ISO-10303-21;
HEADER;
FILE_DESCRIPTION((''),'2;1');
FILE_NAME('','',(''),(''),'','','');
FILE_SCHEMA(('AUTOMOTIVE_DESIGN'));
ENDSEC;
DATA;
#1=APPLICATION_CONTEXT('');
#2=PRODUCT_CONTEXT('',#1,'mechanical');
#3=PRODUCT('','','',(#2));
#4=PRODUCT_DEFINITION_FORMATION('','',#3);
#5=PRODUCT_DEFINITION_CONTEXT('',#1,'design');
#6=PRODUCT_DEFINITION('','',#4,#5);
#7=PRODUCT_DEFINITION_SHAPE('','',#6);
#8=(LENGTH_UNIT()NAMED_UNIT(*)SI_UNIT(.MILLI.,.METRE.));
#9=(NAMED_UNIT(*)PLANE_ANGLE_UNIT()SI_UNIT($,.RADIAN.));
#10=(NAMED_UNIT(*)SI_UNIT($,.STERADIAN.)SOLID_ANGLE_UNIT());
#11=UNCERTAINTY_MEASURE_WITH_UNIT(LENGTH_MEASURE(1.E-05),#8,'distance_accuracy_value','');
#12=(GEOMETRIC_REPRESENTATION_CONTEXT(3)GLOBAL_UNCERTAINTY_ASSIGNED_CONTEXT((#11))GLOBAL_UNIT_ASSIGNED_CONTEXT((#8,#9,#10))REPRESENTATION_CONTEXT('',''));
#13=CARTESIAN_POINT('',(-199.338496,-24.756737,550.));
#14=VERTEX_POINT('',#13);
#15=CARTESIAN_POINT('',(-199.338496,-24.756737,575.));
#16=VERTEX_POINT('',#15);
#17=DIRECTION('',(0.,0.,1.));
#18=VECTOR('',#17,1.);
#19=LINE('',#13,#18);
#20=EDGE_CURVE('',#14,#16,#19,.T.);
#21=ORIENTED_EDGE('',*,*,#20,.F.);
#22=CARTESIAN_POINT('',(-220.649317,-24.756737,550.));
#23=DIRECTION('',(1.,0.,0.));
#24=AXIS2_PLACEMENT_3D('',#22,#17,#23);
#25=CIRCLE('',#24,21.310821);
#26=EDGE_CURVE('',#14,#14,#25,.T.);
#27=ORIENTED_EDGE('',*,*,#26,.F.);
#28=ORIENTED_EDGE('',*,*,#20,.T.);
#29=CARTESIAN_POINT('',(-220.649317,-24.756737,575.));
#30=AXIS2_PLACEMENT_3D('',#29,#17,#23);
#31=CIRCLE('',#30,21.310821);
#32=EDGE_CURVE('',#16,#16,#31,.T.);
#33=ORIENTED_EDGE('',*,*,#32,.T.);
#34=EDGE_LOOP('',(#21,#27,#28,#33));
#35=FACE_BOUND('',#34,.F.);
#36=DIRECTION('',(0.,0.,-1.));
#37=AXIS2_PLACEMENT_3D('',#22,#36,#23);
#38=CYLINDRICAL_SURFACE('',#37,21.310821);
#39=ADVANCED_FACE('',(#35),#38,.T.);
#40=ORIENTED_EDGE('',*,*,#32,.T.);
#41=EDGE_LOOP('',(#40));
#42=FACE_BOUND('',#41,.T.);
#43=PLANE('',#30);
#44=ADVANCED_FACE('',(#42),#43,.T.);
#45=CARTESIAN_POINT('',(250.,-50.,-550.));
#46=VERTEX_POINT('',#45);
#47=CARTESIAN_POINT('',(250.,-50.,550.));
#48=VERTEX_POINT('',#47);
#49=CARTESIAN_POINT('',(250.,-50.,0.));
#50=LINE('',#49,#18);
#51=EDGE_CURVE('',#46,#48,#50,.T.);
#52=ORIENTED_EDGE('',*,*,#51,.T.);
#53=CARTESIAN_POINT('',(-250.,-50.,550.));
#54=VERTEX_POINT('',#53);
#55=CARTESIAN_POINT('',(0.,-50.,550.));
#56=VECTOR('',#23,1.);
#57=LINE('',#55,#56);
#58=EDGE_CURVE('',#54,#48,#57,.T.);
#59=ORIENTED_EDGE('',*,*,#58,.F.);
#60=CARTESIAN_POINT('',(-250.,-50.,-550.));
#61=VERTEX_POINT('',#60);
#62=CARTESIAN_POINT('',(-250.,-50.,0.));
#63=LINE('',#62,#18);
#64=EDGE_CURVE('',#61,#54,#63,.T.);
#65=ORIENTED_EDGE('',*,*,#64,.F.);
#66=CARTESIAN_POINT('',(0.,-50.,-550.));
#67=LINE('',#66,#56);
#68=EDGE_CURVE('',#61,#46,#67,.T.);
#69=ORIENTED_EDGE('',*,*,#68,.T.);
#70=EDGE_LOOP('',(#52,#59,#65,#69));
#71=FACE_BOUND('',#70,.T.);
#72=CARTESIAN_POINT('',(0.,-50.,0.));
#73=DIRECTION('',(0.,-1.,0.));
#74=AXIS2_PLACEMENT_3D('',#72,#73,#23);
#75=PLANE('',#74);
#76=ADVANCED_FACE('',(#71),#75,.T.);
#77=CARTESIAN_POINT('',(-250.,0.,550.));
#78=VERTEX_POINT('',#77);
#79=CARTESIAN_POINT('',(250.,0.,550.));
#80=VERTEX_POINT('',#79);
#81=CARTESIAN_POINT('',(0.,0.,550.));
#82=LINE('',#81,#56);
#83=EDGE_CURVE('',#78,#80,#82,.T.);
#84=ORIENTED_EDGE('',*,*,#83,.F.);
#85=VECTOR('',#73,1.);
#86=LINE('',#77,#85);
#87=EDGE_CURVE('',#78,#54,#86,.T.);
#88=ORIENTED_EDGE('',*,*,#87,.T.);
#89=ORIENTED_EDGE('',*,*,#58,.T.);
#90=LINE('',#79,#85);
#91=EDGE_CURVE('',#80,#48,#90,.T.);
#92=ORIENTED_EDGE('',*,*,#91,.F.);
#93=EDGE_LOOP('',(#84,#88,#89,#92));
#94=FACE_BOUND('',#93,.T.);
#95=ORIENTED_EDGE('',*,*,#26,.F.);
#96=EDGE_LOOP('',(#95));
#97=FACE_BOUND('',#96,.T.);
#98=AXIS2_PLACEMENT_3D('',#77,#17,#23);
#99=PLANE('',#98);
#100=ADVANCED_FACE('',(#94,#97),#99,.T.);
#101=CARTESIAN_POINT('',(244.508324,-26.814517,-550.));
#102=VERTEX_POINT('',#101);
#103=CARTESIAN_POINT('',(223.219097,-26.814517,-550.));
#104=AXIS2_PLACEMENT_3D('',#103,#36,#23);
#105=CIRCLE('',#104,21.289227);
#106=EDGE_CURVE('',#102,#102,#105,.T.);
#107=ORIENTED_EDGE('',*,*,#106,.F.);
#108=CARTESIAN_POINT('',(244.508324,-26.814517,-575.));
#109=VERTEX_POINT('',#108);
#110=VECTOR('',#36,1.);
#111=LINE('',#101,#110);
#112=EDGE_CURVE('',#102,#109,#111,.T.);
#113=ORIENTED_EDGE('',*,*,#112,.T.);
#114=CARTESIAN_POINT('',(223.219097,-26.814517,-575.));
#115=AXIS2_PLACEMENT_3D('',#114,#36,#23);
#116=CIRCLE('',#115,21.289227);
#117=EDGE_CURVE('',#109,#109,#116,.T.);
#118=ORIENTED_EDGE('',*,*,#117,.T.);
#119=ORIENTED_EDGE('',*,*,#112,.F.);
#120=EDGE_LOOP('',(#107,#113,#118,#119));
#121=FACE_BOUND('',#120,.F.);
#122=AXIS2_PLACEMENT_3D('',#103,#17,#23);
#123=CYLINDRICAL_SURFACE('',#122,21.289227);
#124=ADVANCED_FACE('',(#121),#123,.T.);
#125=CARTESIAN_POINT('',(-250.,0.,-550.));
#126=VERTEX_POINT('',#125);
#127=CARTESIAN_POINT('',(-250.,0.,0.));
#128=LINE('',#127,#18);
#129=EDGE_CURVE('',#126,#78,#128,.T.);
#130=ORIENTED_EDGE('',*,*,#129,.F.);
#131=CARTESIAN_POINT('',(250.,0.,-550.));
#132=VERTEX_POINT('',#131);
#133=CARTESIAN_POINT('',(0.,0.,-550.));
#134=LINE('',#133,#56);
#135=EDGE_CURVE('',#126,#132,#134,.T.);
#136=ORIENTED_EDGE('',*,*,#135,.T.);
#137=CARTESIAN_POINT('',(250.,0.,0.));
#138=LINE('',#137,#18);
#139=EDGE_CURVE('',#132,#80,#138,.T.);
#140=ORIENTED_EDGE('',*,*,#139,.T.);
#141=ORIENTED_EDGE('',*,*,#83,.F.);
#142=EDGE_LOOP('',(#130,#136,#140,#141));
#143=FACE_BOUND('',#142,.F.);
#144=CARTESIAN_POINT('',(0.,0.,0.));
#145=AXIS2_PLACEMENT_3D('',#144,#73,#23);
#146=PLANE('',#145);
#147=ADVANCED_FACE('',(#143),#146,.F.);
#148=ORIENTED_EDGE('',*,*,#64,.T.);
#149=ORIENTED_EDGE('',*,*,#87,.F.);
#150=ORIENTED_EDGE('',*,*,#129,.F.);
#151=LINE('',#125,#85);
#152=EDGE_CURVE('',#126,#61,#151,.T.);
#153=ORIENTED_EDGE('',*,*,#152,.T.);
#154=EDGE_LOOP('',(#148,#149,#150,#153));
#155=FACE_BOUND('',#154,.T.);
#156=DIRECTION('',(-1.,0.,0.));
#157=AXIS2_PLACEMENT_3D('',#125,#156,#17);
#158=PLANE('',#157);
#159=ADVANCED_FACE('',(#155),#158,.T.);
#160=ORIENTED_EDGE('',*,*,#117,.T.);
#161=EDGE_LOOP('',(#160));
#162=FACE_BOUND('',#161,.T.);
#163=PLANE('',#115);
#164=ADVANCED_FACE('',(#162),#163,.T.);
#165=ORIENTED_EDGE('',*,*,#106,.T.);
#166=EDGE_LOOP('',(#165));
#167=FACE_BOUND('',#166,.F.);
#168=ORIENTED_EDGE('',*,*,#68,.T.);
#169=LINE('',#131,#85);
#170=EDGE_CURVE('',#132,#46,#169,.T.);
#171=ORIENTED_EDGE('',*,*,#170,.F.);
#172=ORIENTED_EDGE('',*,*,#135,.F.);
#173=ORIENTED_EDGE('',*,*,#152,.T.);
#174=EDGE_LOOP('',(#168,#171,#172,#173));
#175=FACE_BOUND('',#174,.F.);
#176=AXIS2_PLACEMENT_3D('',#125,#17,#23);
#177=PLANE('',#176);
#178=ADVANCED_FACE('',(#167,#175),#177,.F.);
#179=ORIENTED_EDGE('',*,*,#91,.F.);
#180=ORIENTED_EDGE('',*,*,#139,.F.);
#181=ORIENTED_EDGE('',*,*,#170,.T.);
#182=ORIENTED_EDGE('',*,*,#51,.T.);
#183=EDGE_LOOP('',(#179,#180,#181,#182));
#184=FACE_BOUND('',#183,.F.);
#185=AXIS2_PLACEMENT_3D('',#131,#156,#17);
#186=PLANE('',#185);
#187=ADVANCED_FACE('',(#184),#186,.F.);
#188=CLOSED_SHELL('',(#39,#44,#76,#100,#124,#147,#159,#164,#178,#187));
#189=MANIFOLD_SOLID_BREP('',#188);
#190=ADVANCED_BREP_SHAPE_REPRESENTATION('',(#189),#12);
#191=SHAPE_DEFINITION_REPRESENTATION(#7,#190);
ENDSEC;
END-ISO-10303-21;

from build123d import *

# Parameters (mm, degrees)
F0_W     = 500
F0_H     = 1100
F1_DEPTH = 50
F2_R     = 21.310821
F3_DEPTH = 25
F4_R     = 21.289227
F5_DEPTH = 25


with BuildPart() as f1:
    # F0 (on Front) → F1 (new body)
    with BuildSketch(Plane.XZ):
        Rectangle(F0_W, F0_H)
    extrude(amount=F1_DEPTH)

    # F2 (on face) → F3 (join)
    with BuildSketch(Plane.XY.offset(550)):
        with Locations((-220.649317, -24.756737)):
            Circle(F2_R)
    extrude(amount=F3_DEPTH)

    # F4 (on face) → F5 (join)
    with BuildSketch(Plane(origin=(0, 0, -550), x_dir=(1, 0, 0), z_dir=(0, 0, -1))):
        with Locations((223.219097, 26.814517)):
            Circle(F4_R)
    extrude(amount=F5_DEPTH)


solid = f1.part
